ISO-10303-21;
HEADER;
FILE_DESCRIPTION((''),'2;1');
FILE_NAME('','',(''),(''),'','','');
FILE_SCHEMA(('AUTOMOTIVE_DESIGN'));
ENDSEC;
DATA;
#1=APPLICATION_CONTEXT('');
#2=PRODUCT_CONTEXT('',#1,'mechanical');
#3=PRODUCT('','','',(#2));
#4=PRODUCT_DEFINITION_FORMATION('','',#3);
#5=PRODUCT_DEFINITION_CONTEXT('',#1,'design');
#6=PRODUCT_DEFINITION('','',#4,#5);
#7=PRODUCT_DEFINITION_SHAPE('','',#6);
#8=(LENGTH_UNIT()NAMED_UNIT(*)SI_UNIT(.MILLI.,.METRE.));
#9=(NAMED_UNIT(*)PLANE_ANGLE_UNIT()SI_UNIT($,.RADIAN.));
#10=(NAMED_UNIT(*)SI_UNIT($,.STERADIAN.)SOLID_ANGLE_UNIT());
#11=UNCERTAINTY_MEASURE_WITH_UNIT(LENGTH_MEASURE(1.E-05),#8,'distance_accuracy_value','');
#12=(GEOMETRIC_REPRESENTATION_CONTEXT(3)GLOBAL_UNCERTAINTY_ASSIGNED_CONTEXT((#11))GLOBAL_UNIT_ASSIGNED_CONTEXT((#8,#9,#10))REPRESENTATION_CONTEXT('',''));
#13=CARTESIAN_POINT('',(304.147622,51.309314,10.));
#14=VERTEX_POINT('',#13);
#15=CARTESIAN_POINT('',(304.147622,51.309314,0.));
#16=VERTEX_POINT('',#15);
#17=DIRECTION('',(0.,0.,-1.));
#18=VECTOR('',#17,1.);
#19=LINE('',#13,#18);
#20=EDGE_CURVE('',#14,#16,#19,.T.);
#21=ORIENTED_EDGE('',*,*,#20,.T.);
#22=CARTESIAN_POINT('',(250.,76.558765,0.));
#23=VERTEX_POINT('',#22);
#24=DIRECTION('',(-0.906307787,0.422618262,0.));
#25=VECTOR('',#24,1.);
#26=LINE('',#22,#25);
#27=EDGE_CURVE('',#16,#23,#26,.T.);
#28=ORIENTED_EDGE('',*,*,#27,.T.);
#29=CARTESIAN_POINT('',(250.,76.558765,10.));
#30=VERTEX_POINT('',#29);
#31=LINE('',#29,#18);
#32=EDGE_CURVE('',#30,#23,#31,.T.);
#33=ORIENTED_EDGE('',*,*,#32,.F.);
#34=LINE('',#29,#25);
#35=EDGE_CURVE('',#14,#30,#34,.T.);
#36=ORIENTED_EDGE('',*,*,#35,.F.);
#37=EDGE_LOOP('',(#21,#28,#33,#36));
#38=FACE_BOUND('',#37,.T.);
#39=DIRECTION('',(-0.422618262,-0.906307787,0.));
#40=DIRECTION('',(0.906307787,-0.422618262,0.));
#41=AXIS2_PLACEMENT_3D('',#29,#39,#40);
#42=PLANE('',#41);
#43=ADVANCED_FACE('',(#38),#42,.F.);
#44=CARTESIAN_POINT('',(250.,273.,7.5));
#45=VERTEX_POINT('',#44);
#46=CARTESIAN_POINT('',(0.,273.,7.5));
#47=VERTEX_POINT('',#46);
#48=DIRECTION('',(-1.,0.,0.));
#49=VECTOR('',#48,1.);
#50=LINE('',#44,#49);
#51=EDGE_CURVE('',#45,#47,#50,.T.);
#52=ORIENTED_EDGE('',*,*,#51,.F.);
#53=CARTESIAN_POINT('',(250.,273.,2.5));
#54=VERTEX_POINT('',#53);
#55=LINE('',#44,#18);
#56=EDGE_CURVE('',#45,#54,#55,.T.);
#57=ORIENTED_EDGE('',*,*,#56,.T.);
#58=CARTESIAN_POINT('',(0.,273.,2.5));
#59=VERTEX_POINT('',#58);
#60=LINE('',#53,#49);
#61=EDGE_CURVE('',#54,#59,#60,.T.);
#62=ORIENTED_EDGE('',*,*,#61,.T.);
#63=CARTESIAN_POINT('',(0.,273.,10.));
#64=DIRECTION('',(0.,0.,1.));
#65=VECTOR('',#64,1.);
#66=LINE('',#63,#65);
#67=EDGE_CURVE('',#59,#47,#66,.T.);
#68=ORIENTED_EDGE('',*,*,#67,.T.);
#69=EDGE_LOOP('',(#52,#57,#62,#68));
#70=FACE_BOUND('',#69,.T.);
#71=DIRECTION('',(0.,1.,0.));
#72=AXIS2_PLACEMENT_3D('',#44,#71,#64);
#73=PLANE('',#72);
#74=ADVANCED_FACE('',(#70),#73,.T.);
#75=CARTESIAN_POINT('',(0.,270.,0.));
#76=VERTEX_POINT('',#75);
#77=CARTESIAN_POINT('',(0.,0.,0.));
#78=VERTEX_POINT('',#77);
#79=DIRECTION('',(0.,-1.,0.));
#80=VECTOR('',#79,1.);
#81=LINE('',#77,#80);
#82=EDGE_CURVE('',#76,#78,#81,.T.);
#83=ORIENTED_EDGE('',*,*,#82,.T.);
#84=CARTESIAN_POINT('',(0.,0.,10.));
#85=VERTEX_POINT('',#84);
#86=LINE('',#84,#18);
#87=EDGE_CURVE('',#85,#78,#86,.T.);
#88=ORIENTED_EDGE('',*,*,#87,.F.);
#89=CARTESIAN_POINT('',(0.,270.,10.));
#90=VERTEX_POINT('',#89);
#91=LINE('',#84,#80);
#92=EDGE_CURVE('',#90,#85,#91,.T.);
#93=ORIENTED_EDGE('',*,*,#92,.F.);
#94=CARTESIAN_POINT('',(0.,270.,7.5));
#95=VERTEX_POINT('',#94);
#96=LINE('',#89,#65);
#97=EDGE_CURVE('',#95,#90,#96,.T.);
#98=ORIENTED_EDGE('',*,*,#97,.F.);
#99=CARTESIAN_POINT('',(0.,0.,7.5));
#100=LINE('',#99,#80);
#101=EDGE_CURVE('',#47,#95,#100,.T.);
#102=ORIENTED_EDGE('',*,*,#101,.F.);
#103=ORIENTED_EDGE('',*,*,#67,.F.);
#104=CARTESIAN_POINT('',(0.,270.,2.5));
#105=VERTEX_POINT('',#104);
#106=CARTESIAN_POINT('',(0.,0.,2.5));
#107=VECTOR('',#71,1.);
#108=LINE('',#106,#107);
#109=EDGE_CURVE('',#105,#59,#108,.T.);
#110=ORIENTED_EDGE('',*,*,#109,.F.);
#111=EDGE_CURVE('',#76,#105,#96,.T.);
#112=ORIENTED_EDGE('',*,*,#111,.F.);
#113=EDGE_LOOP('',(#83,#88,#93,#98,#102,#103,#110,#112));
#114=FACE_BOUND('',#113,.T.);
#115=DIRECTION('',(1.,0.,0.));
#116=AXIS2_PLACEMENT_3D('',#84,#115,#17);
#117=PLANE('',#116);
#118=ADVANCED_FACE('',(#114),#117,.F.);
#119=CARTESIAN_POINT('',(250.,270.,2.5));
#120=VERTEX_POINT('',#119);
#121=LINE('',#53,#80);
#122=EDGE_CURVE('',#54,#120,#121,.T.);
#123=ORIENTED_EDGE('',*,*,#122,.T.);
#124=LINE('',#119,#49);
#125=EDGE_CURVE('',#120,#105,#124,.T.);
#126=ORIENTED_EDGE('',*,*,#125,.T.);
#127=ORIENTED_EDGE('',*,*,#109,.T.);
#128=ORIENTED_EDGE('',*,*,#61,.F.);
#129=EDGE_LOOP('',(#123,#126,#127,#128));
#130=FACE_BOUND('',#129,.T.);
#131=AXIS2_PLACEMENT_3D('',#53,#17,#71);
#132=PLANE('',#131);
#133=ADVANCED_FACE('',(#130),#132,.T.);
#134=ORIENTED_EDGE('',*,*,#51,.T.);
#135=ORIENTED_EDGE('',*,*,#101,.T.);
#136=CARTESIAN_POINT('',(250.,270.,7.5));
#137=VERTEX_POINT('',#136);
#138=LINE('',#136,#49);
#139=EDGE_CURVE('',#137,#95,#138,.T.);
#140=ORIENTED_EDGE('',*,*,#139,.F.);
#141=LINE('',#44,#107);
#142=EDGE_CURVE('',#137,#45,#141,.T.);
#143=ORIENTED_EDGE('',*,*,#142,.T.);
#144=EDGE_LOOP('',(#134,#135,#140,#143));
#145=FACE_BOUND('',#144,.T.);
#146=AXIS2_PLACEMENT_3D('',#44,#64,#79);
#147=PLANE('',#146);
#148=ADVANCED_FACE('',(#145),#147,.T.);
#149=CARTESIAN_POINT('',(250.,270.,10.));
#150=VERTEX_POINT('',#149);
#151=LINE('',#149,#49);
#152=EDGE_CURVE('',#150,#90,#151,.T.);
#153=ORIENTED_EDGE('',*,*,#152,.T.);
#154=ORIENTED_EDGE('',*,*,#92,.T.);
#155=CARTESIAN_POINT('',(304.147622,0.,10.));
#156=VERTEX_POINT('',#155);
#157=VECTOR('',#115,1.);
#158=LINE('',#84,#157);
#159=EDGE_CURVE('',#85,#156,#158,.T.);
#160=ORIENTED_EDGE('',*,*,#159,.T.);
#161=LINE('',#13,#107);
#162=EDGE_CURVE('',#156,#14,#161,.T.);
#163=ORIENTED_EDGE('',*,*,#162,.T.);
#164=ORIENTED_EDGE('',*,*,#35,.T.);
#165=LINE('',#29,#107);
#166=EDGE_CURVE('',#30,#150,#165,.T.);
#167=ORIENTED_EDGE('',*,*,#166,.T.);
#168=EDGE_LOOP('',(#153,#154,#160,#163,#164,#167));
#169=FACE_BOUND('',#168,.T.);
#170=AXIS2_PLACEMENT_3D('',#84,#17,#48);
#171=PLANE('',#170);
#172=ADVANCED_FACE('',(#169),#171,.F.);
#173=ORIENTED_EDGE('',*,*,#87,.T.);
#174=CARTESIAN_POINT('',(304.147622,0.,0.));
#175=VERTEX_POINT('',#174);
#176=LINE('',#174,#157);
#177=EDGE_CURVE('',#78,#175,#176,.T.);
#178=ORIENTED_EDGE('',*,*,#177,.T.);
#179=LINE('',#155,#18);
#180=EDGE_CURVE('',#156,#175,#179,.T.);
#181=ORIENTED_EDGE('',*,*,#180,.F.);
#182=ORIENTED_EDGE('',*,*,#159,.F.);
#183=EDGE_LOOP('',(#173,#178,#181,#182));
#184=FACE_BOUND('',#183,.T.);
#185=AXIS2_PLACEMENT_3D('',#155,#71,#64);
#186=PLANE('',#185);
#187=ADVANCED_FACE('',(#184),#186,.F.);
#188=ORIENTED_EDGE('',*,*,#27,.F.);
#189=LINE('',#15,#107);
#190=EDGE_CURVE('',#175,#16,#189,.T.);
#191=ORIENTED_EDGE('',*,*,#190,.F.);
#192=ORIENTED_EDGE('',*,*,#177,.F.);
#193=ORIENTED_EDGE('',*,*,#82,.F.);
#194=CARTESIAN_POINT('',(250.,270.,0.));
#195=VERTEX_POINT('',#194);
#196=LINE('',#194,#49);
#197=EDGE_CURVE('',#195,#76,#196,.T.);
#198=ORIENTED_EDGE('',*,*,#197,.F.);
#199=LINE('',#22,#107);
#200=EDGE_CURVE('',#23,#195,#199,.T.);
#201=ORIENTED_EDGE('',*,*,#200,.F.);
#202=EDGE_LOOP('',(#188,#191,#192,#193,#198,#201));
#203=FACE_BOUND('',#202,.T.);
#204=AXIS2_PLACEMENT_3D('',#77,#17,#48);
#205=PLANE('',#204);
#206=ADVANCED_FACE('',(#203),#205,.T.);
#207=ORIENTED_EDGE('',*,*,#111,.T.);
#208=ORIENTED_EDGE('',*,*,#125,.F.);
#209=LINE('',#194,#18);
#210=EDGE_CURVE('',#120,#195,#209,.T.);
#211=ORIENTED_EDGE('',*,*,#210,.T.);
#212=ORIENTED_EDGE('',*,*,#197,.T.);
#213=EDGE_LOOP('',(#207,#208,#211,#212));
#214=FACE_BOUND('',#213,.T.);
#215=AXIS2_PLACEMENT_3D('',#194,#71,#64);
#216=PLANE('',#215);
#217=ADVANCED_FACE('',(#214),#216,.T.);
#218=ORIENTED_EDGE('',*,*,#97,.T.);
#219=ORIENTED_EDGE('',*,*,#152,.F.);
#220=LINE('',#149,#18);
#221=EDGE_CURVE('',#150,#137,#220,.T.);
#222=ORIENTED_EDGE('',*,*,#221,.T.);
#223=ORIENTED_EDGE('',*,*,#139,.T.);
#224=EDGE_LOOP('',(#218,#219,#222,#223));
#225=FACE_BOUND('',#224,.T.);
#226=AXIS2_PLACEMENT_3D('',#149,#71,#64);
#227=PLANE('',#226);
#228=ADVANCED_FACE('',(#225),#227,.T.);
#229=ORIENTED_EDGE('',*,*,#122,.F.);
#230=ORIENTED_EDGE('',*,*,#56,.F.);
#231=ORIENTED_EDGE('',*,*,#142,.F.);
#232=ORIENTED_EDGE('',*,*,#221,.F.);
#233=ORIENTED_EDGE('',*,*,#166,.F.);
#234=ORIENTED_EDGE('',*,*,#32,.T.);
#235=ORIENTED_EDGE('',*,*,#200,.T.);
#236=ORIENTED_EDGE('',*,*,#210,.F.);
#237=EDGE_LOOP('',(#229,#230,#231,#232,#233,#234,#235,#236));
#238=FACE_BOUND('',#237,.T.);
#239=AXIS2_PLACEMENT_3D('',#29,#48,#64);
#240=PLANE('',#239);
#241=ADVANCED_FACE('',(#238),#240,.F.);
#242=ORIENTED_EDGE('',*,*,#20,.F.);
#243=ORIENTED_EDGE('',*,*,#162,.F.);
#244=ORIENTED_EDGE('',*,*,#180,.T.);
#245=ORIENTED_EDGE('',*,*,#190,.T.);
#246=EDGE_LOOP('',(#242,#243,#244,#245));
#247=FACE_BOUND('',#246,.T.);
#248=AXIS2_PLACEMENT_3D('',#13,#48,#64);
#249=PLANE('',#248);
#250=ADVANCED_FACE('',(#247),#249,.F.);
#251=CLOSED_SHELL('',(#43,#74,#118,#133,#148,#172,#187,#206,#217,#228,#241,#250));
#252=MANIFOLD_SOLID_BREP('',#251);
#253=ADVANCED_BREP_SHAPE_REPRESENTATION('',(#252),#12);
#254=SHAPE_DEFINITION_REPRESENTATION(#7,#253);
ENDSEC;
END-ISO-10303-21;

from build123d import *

# Parameters (mm, degrees)
EXTRUDE_1_DEPTH     = 10
CUT_EXTRUDE_1_DEPTH = 431.232495286


with BuildPart() as part:
    # 草圖1 → 填料-伸長1 (new body)
    with BuildSketch(Plane.XY):
        Polygon((250, 76.558764576), (304.147622093, 51.309313723), (304.147622093, 0), (154.147622093, 0), (0, 0), (0, 350), (250, 350), align=None)
    extrude(amount=EXTRUDE_1_DEPTH)

    # 草圖3 → 除料-伸長1 (cut, through all)
    with BuildSketch(Plane(origin=(250, 0, 0), x_dir=(0, 0, -1), z_dir=(1, 0, 0))):
        Polygon((0, 350), (-10, 350), (-10, 270), (-7.5, 270), (-7.5, 273), (-2.5, 273), (-2.5, 270), (0, 270), align=None)
    extrude(amount=-CUT_EXTRUDE_1_DEPTH, mode=Mode.SUBTRACT)


solid = part.part
